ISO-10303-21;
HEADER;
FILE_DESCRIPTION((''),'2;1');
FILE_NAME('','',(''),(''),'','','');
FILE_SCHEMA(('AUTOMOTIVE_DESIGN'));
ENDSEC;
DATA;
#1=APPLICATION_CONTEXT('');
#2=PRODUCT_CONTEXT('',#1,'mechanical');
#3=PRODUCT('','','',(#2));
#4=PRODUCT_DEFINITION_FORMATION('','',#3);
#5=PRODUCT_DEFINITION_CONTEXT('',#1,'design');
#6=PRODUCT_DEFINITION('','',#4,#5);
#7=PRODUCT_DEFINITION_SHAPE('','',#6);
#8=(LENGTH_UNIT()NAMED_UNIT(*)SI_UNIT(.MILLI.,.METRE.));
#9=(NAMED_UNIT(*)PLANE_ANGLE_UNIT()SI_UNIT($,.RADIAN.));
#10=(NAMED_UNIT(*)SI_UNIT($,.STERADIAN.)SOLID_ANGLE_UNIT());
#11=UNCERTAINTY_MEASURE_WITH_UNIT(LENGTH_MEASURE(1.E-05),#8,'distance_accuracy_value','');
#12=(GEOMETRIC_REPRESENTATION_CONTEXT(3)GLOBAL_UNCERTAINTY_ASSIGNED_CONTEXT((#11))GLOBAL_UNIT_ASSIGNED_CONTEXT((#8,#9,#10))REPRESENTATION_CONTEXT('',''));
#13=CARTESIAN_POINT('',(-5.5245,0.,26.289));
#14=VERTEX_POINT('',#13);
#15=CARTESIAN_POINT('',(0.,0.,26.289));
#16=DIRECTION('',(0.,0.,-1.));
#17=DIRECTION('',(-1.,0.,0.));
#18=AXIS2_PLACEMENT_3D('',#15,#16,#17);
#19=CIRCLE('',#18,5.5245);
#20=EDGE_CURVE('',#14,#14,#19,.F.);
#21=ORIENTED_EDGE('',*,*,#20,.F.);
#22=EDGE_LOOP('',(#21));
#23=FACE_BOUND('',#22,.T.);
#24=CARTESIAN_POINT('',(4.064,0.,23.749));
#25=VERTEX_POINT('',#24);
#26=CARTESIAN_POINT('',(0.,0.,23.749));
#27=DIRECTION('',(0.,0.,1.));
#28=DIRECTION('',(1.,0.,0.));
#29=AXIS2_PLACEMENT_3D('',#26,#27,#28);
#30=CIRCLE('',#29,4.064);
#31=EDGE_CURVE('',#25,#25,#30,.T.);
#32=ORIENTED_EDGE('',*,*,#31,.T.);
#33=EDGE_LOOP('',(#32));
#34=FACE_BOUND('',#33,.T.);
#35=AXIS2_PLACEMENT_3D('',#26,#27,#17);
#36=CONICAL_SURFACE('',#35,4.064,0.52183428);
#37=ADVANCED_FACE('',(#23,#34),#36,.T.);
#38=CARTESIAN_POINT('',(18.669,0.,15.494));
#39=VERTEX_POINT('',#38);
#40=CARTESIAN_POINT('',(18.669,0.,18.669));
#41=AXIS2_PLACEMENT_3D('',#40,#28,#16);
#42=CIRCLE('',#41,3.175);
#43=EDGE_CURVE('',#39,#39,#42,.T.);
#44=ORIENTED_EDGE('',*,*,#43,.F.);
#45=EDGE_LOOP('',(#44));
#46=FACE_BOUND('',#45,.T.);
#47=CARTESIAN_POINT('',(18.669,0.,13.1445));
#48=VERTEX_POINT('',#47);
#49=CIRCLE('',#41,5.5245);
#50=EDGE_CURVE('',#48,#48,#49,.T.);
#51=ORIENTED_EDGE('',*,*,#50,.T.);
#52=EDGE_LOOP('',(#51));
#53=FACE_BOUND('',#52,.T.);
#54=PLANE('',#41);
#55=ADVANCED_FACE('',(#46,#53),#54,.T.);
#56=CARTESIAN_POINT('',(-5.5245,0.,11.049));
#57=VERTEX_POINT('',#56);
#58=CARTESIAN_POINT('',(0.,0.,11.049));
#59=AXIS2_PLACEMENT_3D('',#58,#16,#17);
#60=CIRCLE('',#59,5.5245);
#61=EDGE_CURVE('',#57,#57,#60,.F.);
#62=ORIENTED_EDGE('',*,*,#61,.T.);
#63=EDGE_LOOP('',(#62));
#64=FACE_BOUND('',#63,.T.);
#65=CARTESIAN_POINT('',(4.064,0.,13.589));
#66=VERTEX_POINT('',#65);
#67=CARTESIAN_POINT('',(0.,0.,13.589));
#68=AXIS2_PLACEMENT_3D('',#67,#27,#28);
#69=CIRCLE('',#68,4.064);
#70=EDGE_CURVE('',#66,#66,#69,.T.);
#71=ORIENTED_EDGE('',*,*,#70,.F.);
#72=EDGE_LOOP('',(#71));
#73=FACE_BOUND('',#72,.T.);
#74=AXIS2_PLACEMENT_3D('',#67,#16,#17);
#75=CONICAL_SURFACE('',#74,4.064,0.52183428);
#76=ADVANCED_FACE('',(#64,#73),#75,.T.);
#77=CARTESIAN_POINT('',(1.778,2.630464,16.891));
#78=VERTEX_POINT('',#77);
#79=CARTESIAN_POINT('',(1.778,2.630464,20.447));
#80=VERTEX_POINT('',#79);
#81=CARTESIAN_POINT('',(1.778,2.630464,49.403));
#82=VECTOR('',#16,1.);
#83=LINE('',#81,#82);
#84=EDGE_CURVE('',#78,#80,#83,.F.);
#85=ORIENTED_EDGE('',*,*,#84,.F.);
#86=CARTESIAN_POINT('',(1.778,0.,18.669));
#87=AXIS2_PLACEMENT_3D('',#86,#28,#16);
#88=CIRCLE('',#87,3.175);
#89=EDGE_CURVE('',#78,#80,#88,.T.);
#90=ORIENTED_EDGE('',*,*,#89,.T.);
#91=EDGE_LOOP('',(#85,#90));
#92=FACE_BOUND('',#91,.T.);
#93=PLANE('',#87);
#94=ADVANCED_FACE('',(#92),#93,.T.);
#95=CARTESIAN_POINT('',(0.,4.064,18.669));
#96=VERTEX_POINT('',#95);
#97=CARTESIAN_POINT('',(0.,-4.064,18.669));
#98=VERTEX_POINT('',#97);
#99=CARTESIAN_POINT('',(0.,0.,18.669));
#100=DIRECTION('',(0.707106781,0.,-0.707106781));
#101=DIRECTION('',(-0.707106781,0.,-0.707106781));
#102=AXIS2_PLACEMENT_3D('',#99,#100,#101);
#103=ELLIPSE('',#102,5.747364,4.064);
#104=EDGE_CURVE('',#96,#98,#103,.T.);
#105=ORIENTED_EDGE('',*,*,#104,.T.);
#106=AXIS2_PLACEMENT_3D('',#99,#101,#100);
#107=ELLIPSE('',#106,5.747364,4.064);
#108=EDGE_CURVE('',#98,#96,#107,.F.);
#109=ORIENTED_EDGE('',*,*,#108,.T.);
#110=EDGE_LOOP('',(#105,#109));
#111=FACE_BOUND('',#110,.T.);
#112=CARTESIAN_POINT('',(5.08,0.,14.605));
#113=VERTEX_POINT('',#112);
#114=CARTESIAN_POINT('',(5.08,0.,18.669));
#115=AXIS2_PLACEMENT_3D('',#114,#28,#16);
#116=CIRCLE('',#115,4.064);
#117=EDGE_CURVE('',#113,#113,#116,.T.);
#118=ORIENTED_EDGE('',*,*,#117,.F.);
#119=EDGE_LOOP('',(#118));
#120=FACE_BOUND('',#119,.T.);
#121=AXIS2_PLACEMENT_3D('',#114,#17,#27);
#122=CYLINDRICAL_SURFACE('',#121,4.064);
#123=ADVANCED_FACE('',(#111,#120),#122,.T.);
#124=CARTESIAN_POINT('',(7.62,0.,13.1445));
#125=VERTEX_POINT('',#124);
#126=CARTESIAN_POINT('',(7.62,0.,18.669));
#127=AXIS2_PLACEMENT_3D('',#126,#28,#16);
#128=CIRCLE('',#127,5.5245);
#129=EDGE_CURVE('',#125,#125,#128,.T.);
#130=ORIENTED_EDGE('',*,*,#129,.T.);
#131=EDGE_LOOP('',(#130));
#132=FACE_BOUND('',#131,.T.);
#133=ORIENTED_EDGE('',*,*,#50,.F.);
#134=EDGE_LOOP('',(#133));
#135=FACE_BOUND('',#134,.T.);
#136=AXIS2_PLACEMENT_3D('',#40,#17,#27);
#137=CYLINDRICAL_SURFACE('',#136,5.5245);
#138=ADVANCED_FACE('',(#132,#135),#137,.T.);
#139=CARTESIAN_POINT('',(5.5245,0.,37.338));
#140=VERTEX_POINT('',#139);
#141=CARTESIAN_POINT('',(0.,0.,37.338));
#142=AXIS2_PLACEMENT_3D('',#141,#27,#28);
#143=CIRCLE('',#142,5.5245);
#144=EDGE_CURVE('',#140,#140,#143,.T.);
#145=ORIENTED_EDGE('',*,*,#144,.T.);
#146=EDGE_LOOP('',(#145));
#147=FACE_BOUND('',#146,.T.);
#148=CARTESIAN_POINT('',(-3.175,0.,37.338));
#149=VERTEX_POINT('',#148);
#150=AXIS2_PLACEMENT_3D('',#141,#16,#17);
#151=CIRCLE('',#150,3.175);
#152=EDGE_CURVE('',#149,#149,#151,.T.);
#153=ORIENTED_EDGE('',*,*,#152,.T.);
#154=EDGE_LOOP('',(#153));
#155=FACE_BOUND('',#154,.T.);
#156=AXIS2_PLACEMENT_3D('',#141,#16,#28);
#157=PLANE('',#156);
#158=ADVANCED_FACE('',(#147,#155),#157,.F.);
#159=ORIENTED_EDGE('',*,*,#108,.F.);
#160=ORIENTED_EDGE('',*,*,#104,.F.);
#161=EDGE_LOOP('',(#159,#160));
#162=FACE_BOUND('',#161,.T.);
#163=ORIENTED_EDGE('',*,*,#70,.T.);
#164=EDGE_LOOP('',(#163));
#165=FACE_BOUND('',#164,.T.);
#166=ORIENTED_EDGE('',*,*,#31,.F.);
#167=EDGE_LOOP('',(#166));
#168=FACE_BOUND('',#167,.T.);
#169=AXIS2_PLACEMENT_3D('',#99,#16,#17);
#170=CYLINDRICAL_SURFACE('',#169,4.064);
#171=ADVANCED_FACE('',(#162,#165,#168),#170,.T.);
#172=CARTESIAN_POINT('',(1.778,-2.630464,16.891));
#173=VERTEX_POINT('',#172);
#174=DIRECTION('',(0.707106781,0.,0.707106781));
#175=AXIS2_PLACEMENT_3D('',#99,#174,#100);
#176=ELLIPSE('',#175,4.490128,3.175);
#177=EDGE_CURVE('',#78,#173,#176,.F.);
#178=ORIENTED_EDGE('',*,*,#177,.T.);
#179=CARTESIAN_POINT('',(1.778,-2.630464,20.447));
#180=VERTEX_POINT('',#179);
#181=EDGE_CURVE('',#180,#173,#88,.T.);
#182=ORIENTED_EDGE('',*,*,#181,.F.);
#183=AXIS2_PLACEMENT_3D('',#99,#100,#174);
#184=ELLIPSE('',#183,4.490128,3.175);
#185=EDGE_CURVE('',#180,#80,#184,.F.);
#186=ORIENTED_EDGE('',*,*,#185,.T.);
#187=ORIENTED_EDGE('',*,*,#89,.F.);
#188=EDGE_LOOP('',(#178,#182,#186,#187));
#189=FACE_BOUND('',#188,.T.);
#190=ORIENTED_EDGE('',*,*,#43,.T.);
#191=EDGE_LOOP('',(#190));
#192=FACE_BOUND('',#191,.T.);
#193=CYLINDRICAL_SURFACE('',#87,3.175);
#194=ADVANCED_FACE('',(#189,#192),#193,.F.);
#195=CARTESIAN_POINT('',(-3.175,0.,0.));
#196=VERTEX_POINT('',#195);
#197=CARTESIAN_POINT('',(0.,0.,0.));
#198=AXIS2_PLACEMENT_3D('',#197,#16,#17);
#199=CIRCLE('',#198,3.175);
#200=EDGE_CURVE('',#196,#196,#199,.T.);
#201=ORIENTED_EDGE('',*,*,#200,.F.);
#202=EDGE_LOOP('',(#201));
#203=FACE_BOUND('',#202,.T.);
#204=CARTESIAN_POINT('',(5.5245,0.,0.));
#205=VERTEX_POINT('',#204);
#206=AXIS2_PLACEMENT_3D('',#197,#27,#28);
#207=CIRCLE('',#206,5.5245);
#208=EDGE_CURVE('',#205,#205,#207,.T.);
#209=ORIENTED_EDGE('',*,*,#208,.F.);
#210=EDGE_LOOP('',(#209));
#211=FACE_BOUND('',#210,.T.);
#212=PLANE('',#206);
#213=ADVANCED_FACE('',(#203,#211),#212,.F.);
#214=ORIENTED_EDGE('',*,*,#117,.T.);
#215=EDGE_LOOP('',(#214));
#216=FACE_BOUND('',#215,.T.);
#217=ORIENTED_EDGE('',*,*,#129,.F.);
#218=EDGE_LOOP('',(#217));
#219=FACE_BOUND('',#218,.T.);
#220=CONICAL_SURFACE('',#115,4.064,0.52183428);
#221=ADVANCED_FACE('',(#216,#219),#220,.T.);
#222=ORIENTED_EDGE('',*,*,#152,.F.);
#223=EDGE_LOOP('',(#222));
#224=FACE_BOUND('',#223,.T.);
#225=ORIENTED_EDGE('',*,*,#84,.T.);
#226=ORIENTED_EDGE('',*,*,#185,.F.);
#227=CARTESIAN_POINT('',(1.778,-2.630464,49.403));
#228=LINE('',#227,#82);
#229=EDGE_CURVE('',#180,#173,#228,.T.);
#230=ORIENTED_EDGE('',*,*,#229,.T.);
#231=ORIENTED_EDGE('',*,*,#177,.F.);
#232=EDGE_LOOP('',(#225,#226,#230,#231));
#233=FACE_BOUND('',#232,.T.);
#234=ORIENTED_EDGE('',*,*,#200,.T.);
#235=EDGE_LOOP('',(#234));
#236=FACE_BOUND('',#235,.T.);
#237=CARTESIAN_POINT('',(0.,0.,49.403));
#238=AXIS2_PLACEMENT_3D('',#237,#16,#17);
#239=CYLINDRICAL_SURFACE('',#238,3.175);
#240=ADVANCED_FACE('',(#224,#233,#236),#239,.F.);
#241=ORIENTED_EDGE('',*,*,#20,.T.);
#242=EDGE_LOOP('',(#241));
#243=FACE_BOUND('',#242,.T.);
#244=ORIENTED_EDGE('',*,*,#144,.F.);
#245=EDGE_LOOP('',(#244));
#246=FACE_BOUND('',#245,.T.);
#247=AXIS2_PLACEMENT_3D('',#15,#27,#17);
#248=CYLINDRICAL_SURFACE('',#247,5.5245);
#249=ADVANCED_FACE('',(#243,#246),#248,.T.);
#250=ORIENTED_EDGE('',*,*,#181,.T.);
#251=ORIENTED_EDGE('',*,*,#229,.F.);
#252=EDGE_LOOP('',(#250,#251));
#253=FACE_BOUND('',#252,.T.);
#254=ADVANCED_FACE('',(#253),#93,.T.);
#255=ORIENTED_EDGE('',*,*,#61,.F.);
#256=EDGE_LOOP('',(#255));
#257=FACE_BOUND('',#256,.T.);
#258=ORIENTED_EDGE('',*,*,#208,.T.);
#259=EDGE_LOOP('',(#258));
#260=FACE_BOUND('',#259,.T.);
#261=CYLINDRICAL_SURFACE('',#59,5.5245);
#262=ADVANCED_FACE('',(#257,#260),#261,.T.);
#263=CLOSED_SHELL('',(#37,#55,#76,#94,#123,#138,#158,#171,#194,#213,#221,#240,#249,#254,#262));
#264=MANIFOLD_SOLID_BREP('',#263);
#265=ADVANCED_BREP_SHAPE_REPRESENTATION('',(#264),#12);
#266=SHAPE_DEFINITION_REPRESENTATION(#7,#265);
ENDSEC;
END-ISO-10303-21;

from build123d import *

# Parameters (mm, degrees)
SKETCH1_R           = 5.5245
BOSS_EXTRUDE1_DEPTH = 11.049
SKETCH2_R           = 4.064
BOSS_EXTRUDE2_DEPTH = 5.08
SKETCH3_R           = 5.5245
SKETCH4_R           = 4.064
SKETCH5_R           = 4.064
BOSS_EXTRUDE3_DEPTH = 5.08
SKETCH6_R           = 5.5245
BOSS_EXTRUDE4_DEPTH = 11.049
SKETCH7_R           = 3.175
CUT_EXTRUDE1_DEPTH  = 16.891
SKETCH9_R           = 3.175
CUT_EXTRUDE2_DEPTH  = 49.403


with BuildPart() as part:
    # Sketch1 → Boss-Extrude1 (new body)
    with BuildSketch(Plane.XY):
        Circle(SKETCH1_R)
    boss_extrude1 = extrude(amount=BOSS_EXTRUDE1_DEPTH)



with BuildPart() as body_2:
    # Sketch2 → Boss-Extrude2 (new body)
    with BuildSketch(Plane.XY.offset(13.589)):
        Circle(SKETCH2_R)
    boss_extrude2 = extrude(amount=BOSS_EXTRUDE2_DEPTH)


with BuildPart() as part_1:
    add(part.part)

    add(body_2.part)  # Loft2 merges body 2
    # Sketch3 → Loft2 section 0
    with BuildSketch(Plane.XY.offset(11.049)):
        Circle(SKETCH3_R)
    # Sketch4 → Loft2 section 1
    with BuildSketch(Plane.XY.offset(13.589)):
        Circle(SKETCH4_R)
    loft2 = loft()

    # Mirror5: Boss-Extrude1, Boss-Extrude2, Loft2 across plane
    add(boss_extrude1.mirror(Plane.XY.offset(18.669)))
    add(boss_extrude2.mirror(Plane.XY.offset(18.669)))
    add(loft2.mirror(Plane.XY.offset(18.669)))

    # Sketch5 → Boss-Extrude3 (add)
    with BuildSketch(Plane(origin=(0, 0, 0), x_dir=(0, 0, -1), z_dir=(1, 0, 0))):
        with Locations((-18.669, 0)):
            Circle(SKETCH5_R)
    extrude(amount=BOSS_EXTRUDE3_DEPTH)



with BuildPart() as body_2_2:
    # Sketch6 → Boss-Extrude4 (new body)
    with BuildSketch(Plane(origin=(7.62, 0, 0), x_dir=(0, 0, -1), z_dir=(1, 0, 0))):
        with Locations((-18.669, 0)):
            Circle(SKETCH6_R)
    extrude(amount=BOSS_EXTRUDE4_DEPTH)


with BuildPart() as part_2:
    add(part_1.part)

    add(body_2_2.part)  # loft3 joins it to this body
    # loft up to a face of the part (loft3)
    loft([Face(Wire([part_2.edges().sort_by_distance((5.08, 2.962528502, 21.450999438))[0]])), Face(Wire([part_2.edges().sort_by_distance((7.62, -4.027187182, 22.450780487))[0]]))])

    # Sketch7 → Cut-Extrude1 (cut)
    with BuildSketch(Plane(origin=(18.669, 0, 0), x_dir=(0, 0, -1), z_dir=(1, 0, 0))):
        with Locations((-18.669, 0)):
            Circle(SKETCH7_R)
    extrude(amount=-CUT_EXTRUDE1_DEPTH, mode=Mode.SUBTRACT)

    # Sketch9 → Cut-Extrude2 (cut)
    with BuildSketch(Plane(origin=(0, 0, 0), x_dir=(-1, 0, 0), z_dir=(0, 0, -1))):
        Circle(SKETCH9_R)
    extrude(amount=-CUT_EXTRUDE2_DEPTH, mode=Mode.SUBTRACT)


solid = part_2.part
